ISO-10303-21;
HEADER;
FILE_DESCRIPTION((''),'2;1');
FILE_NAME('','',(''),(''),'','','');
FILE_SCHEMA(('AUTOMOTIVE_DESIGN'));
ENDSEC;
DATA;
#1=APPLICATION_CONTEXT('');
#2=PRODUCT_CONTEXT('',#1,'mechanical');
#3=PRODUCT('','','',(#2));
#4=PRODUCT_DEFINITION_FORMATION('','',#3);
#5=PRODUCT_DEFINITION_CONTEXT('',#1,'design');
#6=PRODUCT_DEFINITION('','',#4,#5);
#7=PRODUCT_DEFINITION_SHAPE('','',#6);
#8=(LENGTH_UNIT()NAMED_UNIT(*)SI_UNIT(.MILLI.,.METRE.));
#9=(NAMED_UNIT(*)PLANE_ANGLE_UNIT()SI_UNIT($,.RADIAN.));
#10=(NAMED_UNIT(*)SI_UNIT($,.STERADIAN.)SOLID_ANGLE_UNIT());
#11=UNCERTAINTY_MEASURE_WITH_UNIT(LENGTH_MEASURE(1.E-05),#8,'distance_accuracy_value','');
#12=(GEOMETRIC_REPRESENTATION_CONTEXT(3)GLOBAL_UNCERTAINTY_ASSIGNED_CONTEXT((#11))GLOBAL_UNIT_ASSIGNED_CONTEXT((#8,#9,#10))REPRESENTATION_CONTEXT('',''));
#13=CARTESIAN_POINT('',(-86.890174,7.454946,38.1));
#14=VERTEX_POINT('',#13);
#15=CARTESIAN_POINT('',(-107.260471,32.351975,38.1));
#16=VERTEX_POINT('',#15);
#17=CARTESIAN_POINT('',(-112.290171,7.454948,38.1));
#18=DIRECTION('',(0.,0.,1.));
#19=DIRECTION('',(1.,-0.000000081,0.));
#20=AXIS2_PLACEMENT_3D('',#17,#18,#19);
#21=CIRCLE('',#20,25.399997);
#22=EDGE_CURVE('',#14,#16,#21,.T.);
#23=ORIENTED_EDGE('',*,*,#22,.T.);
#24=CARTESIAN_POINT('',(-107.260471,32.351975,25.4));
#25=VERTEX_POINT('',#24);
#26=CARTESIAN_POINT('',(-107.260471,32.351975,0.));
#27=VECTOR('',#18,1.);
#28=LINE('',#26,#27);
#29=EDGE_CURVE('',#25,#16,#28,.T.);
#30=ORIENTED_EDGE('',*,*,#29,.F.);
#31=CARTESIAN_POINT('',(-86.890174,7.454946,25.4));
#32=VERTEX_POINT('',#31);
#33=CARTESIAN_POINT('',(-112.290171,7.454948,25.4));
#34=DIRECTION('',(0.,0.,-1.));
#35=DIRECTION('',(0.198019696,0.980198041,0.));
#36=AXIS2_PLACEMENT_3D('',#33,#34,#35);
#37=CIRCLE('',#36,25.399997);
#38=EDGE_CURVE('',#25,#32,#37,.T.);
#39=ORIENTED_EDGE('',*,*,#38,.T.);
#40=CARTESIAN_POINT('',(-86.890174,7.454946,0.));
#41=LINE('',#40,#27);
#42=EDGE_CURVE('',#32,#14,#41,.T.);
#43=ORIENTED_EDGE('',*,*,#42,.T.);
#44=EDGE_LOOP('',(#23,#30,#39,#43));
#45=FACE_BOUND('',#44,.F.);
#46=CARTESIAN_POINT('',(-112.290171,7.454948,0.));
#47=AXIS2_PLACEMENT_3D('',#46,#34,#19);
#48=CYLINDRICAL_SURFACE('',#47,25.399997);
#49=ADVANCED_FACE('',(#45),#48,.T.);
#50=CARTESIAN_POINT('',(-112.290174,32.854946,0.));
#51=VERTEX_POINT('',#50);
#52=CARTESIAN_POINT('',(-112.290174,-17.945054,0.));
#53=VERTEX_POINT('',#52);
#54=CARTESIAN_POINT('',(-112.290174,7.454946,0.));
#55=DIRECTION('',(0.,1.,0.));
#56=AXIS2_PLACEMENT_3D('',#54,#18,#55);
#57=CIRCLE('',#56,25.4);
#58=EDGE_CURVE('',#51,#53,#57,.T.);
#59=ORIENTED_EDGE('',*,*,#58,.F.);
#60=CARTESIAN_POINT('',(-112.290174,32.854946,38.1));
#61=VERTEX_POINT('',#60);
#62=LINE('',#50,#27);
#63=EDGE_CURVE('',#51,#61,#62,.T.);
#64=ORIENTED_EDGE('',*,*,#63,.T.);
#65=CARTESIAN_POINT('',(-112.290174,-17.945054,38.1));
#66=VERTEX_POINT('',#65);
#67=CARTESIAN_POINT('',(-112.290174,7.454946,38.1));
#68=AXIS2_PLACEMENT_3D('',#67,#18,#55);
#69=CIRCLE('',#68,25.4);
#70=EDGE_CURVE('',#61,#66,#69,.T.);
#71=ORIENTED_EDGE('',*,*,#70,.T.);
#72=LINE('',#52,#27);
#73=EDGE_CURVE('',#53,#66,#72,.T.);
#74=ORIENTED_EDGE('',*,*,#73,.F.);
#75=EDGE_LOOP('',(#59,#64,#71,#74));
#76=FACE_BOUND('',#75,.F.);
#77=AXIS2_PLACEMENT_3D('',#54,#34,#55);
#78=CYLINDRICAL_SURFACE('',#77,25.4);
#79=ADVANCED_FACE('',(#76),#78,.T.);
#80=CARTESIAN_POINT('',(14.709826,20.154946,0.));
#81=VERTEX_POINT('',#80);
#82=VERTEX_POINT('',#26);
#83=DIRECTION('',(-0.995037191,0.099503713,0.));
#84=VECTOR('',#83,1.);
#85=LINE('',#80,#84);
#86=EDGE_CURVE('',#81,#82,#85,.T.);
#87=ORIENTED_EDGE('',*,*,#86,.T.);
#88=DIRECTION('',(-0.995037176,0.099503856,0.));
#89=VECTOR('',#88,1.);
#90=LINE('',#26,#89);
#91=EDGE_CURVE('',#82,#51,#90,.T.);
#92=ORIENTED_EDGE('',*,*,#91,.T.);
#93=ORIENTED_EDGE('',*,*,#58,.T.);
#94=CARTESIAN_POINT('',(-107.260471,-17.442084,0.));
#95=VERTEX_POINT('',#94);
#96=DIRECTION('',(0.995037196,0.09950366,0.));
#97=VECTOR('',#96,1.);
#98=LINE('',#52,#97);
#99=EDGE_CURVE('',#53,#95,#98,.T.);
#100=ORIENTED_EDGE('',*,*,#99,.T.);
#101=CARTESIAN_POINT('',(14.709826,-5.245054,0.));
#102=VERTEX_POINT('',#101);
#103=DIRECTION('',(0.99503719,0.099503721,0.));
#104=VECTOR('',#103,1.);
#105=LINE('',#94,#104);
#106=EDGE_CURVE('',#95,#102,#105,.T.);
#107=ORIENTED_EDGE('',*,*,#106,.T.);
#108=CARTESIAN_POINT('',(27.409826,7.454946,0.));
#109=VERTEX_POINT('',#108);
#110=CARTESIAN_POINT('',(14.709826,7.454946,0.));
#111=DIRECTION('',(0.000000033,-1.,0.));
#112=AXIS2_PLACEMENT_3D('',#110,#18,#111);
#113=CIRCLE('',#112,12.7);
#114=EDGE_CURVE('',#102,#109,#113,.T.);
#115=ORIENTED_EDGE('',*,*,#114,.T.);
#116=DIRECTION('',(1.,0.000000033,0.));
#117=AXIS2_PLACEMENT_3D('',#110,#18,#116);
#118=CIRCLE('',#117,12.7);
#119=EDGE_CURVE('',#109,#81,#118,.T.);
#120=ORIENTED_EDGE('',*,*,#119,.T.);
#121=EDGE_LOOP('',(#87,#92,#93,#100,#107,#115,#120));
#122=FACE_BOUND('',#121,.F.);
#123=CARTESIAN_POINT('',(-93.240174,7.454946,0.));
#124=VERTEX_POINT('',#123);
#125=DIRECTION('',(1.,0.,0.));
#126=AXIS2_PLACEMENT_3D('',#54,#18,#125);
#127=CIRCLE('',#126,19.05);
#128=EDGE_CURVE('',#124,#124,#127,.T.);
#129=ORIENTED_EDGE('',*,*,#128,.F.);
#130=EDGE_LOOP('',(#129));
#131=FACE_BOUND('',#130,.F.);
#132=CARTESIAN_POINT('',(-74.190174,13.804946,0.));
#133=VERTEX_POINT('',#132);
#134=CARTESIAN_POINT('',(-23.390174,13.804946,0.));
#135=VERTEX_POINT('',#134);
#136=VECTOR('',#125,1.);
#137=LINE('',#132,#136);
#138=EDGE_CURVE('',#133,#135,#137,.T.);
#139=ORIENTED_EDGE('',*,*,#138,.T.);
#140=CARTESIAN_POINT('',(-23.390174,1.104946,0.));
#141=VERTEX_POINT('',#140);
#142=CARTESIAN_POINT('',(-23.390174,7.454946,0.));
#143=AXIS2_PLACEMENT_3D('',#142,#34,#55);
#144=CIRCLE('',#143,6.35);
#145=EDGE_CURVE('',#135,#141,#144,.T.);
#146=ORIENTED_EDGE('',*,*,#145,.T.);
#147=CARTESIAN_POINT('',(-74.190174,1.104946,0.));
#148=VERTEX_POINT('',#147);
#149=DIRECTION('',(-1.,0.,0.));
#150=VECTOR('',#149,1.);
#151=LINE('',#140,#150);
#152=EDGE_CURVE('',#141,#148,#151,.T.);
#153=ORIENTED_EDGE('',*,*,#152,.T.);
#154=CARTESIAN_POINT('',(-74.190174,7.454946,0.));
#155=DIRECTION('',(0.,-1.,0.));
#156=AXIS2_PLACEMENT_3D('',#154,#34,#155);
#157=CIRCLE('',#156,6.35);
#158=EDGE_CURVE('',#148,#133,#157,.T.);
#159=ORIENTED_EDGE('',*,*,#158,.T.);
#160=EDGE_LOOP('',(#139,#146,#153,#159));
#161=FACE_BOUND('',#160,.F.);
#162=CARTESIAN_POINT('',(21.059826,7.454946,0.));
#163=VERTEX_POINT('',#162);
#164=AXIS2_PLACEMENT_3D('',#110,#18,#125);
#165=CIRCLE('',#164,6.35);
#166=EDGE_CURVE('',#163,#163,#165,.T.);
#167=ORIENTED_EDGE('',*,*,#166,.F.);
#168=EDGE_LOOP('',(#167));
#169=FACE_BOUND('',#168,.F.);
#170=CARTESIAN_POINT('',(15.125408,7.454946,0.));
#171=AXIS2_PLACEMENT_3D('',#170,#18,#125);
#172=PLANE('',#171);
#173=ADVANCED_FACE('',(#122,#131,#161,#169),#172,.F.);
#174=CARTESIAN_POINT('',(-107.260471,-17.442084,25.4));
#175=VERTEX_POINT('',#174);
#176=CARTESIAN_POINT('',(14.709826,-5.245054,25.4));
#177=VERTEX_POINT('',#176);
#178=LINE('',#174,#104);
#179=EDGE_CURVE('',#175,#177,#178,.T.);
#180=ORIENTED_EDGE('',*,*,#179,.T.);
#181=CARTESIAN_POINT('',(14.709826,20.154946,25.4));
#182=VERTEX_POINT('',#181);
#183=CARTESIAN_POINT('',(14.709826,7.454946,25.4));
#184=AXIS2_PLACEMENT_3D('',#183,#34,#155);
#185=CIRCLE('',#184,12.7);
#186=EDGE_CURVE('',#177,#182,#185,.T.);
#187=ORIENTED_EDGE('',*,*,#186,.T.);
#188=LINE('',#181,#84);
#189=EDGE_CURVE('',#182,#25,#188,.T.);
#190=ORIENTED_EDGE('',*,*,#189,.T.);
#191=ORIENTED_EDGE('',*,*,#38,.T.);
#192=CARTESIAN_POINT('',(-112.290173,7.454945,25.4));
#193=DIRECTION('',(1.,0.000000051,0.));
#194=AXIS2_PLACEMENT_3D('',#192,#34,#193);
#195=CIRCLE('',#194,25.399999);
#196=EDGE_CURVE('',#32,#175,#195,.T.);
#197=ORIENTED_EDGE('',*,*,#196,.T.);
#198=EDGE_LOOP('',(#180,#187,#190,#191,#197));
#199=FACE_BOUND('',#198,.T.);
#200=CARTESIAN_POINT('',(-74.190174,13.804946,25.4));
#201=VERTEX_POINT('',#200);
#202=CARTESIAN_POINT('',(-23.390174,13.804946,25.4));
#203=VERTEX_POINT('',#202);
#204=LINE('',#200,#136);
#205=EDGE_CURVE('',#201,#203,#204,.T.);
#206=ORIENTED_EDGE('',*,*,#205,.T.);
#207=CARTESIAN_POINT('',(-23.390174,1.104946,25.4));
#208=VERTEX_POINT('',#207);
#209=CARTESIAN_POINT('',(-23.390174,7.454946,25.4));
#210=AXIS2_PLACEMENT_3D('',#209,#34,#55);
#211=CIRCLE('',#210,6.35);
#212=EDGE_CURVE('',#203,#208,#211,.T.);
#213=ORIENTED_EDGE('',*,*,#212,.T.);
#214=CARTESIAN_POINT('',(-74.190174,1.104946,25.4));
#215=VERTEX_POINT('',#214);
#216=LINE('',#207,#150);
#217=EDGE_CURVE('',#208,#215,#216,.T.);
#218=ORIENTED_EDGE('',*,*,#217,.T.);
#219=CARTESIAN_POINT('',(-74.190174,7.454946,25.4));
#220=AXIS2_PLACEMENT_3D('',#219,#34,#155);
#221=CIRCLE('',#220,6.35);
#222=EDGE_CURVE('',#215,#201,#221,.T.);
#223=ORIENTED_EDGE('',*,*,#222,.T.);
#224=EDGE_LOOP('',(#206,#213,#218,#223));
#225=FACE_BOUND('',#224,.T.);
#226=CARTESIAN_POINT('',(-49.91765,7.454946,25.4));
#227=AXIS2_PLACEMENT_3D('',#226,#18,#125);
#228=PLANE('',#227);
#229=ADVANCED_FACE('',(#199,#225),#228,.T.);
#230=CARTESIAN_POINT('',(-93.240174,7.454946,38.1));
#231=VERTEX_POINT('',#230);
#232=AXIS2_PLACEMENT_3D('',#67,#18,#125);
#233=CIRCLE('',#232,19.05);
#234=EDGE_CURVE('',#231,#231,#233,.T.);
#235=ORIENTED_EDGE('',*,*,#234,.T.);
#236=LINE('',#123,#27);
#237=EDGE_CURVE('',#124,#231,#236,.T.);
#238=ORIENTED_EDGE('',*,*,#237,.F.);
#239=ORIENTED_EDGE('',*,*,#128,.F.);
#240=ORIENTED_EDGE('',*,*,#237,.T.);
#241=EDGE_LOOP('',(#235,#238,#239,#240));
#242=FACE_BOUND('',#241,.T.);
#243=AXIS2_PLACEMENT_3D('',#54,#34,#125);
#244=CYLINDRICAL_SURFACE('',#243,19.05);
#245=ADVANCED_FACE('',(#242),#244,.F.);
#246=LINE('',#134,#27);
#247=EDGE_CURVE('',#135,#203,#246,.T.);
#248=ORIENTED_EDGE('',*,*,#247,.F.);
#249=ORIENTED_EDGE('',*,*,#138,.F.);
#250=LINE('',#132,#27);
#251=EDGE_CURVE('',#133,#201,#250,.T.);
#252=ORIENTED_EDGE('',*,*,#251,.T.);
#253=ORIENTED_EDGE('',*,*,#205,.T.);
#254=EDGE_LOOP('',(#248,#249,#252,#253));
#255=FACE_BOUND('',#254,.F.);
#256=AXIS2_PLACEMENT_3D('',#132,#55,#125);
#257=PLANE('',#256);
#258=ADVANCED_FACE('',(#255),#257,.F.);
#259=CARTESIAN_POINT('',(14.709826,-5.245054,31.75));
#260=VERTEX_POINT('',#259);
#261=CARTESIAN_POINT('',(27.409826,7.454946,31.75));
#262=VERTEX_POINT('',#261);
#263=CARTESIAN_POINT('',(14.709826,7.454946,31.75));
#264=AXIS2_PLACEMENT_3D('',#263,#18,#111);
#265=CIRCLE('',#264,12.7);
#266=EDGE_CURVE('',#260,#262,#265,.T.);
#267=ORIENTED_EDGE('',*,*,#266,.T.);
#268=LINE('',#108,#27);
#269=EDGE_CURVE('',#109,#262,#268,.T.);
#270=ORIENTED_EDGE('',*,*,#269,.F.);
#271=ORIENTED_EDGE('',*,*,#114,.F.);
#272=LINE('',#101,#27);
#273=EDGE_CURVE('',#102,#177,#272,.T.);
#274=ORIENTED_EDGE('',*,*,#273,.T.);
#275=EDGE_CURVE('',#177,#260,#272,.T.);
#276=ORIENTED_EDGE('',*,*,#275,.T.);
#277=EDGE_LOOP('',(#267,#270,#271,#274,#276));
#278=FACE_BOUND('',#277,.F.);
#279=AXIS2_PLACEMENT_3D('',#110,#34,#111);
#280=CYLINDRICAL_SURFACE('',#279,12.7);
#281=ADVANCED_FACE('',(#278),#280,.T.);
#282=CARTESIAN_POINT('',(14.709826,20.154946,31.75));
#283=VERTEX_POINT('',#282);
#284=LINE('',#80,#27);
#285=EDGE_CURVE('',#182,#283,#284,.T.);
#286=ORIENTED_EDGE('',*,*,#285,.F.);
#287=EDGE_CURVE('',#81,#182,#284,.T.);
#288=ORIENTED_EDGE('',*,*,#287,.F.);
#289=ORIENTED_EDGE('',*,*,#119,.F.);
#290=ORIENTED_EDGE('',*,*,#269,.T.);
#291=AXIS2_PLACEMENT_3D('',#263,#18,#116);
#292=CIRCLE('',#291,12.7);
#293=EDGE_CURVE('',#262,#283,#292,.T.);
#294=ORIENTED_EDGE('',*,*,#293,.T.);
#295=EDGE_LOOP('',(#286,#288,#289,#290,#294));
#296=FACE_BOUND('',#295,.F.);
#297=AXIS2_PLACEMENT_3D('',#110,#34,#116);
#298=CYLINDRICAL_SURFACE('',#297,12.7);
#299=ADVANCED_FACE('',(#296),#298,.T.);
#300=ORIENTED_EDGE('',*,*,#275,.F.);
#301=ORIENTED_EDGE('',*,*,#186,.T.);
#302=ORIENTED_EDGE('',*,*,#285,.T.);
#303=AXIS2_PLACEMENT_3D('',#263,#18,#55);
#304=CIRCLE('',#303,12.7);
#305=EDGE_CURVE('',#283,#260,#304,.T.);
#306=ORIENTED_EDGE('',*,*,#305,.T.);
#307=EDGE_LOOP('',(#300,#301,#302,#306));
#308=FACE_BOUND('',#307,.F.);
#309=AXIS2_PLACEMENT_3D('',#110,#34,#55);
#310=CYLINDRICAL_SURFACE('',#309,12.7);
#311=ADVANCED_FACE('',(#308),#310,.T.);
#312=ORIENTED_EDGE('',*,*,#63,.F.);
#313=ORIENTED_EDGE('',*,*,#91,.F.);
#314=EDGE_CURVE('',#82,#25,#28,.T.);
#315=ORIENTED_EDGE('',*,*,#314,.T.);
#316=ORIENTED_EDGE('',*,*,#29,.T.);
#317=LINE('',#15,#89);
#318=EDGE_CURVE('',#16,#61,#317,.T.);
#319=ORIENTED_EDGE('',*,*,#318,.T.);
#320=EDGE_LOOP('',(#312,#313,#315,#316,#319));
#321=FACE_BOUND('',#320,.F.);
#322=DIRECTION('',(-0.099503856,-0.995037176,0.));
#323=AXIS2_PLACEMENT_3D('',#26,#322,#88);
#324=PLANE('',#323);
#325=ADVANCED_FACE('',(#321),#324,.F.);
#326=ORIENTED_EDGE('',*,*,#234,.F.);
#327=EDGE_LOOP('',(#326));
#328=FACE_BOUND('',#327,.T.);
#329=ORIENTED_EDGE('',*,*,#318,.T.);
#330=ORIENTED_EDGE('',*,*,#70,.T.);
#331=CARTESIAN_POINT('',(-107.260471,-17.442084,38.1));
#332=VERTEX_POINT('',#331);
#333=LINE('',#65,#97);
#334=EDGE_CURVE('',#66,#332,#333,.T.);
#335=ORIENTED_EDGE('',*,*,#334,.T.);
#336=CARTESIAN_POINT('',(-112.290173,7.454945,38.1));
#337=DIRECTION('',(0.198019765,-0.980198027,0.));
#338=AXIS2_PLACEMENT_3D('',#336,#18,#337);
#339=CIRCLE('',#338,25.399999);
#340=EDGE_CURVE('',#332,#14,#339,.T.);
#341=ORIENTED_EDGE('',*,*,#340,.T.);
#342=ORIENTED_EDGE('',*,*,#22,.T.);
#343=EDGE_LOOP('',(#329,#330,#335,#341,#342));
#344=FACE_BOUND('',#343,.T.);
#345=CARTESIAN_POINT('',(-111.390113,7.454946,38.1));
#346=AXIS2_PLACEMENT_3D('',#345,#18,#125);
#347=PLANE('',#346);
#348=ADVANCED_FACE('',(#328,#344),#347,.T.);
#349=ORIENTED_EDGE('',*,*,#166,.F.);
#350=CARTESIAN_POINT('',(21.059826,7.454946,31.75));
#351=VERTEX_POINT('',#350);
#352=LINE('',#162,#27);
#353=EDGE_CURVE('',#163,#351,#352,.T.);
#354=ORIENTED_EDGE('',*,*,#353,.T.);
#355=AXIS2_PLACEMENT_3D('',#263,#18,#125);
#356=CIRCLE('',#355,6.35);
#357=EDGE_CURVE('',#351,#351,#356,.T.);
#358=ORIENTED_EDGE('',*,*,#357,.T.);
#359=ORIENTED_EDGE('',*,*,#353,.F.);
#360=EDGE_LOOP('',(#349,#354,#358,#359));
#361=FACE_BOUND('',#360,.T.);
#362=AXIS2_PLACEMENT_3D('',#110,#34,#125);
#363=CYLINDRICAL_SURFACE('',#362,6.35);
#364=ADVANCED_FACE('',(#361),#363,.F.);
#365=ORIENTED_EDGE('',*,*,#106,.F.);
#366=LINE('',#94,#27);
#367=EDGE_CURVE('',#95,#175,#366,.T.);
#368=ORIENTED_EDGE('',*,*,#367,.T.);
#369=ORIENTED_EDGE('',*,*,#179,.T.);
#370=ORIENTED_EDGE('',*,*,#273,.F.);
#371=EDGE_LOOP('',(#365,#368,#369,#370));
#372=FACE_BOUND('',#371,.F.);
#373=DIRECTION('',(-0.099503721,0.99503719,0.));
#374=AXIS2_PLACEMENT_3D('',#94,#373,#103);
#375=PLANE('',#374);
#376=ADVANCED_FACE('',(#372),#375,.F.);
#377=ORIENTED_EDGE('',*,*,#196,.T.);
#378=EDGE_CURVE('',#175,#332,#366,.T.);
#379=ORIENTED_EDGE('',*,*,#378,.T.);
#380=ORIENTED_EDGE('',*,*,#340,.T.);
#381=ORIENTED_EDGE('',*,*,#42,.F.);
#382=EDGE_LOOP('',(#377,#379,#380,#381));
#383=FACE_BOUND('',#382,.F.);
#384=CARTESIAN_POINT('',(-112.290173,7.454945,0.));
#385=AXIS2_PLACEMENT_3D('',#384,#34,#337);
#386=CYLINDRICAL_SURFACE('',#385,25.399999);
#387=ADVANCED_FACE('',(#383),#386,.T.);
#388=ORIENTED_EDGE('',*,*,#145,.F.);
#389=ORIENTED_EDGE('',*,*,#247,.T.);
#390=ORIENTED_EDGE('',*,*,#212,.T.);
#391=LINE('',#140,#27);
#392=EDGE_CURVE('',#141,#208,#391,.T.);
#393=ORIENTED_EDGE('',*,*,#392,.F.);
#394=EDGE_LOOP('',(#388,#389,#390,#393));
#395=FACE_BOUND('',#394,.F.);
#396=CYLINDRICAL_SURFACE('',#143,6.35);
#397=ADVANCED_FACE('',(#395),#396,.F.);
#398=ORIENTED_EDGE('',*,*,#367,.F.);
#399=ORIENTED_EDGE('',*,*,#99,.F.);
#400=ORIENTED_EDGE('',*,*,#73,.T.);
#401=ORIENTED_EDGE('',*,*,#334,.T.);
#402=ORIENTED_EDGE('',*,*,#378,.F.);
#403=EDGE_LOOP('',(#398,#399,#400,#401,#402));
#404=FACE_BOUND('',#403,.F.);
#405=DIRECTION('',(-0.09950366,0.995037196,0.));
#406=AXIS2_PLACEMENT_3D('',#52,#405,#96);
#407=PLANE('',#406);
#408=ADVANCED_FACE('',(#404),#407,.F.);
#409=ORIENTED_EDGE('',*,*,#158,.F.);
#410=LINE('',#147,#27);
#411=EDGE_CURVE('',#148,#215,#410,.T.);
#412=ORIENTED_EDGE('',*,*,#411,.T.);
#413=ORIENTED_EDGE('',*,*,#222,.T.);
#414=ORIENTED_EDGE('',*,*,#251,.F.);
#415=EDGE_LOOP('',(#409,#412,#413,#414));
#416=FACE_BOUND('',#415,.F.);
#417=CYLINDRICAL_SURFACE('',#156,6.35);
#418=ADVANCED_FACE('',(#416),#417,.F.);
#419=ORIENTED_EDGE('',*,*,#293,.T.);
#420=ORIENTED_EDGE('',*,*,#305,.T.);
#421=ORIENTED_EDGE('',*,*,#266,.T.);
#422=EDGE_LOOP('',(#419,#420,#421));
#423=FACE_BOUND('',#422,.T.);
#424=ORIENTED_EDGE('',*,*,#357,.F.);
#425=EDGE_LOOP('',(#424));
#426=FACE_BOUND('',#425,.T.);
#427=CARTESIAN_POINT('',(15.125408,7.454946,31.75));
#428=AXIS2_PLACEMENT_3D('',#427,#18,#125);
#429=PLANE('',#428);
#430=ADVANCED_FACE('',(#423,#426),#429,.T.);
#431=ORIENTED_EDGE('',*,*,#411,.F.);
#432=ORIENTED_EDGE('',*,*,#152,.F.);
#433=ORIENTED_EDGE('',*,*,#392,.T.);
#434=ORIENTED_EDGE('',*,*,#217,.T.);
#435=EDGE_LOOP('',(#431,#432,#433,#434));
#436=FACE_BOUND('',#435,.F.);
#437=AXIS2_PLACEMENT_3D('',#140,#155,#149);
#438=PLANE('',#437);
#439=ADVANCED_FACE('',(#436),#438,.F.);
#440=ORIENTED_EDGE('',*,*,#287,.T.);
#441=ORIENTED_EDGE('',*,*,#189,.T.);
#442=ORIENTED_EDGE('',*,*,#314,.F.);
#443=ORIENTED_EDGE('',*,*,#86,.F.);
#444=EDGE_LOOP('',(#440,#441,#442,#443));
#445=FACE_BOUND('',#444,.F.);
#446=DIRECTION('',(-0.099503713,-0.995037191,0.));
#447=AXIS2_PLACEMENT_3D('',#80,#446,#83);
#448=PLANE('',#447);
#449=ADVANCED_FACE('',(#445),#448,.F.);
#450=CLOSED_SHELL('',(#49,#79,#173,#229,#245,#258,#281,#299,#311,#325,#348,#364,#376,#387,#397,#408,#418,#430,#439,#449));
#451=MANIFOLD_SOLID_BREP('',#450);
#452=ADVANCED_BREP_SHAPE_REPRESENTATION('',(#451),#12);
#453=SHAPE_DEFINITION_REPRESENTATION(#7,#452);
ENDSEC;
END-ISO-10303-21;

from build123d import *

# Parameters (mm, degrees)
F0_R     = 19.05
F1_DEPTH = 38.1
F2_DEPTH = 25.4
F0_R_2   = 6.35
F3_DEPTH = 31.75


with BuildPart() as f1:
    # F0 (on Top) → F1 (new body)
    with BuildSketch(Plane.XY):
        with BuildLine():
            Line((-107.260471, 32.351975), (-112.290174, 32.854946))
            ThreePointArc((-112.290174, 32.854946), (-137.690174, 7.454946), (-112.290174, -17.945054))
            Line((-112.290174, -17.945054), (-107.260471, -17.442084))
            ThreePointArc((-107.260471, -17.442084), (-92.631658, -8.629294), (-86.890174, 7.454946))
            ThreePointArc((-86.890174, 7.454946), (-92.631658, 23.539186), (-107.260471, 32.351975))
        make_face()
        with Locations((-112.290174, 7.454946)):
            Circle(F0_R, mode=Mode.SUBTRACT)
    extrude(amount=F1_DEPTH)

    # F0 (on Top) → F2 (join)
    with BuildSketch(Plane.XY):
        with BuildLine():
            Line((14.709826, 20.154946), (-107.260471, 32.351975))
            ThreePointArc((-107.260471, 32.351975), (-92.631658, 23.539186), (-86.890174, 7.454946))
            ThreePointArc((-86.890174, 7.454946), (-92.631658, -8.629294), (-107.260471, -17.442084))
            Line((-107.260471, -17.442084), (14.709826, -5.245054))
            ThreePointArc((14.709826, -5.245054), (2.009826, 7.454946), (14.709826, 20.154946))
        make_face()
        with BuildLine():
            Line((-74.190174, 13.804946), (-23.390174, 13.804946))
            ThreePointArc((-23.390174, 13.804946), (-17.040174, 7.454946), (-23.390174, 1.104946))
            Line((-23.390174, 1.104946), (-74.190174, 1.104946))
            ThreePointArc((-74.190174, 1.104946), (-80.540174, 7.454946), (-74.190174, 13.804946))
        make_face(mode=Mode.SUBTRACT)
    extrude(amount=F2_DEPTH)

    # F0 (on Top) → F3 (join)
    with BuildSketch(Plane.XY):
        with BuildLine():
            ThreePointArc((27.409826, 7.454946), (23.690082, 16.435202), (14.709826, 20.154946))
            ThreePointArc((14.709826, 20.154946), (2.009826, 7.454946), (14.709826, -5.245054))
            ThreePointArc((14.709826, -5.245054), (23.690082, -1.52531), (27.409826, 7.454946))
        make_face()
        with Locations((14.709826, 7.454946)):
            Circle(F0_R_2, mode=Mode.SUBTRACT)
    extrude(amount=F3_DEPTH)


solid = f1.part
